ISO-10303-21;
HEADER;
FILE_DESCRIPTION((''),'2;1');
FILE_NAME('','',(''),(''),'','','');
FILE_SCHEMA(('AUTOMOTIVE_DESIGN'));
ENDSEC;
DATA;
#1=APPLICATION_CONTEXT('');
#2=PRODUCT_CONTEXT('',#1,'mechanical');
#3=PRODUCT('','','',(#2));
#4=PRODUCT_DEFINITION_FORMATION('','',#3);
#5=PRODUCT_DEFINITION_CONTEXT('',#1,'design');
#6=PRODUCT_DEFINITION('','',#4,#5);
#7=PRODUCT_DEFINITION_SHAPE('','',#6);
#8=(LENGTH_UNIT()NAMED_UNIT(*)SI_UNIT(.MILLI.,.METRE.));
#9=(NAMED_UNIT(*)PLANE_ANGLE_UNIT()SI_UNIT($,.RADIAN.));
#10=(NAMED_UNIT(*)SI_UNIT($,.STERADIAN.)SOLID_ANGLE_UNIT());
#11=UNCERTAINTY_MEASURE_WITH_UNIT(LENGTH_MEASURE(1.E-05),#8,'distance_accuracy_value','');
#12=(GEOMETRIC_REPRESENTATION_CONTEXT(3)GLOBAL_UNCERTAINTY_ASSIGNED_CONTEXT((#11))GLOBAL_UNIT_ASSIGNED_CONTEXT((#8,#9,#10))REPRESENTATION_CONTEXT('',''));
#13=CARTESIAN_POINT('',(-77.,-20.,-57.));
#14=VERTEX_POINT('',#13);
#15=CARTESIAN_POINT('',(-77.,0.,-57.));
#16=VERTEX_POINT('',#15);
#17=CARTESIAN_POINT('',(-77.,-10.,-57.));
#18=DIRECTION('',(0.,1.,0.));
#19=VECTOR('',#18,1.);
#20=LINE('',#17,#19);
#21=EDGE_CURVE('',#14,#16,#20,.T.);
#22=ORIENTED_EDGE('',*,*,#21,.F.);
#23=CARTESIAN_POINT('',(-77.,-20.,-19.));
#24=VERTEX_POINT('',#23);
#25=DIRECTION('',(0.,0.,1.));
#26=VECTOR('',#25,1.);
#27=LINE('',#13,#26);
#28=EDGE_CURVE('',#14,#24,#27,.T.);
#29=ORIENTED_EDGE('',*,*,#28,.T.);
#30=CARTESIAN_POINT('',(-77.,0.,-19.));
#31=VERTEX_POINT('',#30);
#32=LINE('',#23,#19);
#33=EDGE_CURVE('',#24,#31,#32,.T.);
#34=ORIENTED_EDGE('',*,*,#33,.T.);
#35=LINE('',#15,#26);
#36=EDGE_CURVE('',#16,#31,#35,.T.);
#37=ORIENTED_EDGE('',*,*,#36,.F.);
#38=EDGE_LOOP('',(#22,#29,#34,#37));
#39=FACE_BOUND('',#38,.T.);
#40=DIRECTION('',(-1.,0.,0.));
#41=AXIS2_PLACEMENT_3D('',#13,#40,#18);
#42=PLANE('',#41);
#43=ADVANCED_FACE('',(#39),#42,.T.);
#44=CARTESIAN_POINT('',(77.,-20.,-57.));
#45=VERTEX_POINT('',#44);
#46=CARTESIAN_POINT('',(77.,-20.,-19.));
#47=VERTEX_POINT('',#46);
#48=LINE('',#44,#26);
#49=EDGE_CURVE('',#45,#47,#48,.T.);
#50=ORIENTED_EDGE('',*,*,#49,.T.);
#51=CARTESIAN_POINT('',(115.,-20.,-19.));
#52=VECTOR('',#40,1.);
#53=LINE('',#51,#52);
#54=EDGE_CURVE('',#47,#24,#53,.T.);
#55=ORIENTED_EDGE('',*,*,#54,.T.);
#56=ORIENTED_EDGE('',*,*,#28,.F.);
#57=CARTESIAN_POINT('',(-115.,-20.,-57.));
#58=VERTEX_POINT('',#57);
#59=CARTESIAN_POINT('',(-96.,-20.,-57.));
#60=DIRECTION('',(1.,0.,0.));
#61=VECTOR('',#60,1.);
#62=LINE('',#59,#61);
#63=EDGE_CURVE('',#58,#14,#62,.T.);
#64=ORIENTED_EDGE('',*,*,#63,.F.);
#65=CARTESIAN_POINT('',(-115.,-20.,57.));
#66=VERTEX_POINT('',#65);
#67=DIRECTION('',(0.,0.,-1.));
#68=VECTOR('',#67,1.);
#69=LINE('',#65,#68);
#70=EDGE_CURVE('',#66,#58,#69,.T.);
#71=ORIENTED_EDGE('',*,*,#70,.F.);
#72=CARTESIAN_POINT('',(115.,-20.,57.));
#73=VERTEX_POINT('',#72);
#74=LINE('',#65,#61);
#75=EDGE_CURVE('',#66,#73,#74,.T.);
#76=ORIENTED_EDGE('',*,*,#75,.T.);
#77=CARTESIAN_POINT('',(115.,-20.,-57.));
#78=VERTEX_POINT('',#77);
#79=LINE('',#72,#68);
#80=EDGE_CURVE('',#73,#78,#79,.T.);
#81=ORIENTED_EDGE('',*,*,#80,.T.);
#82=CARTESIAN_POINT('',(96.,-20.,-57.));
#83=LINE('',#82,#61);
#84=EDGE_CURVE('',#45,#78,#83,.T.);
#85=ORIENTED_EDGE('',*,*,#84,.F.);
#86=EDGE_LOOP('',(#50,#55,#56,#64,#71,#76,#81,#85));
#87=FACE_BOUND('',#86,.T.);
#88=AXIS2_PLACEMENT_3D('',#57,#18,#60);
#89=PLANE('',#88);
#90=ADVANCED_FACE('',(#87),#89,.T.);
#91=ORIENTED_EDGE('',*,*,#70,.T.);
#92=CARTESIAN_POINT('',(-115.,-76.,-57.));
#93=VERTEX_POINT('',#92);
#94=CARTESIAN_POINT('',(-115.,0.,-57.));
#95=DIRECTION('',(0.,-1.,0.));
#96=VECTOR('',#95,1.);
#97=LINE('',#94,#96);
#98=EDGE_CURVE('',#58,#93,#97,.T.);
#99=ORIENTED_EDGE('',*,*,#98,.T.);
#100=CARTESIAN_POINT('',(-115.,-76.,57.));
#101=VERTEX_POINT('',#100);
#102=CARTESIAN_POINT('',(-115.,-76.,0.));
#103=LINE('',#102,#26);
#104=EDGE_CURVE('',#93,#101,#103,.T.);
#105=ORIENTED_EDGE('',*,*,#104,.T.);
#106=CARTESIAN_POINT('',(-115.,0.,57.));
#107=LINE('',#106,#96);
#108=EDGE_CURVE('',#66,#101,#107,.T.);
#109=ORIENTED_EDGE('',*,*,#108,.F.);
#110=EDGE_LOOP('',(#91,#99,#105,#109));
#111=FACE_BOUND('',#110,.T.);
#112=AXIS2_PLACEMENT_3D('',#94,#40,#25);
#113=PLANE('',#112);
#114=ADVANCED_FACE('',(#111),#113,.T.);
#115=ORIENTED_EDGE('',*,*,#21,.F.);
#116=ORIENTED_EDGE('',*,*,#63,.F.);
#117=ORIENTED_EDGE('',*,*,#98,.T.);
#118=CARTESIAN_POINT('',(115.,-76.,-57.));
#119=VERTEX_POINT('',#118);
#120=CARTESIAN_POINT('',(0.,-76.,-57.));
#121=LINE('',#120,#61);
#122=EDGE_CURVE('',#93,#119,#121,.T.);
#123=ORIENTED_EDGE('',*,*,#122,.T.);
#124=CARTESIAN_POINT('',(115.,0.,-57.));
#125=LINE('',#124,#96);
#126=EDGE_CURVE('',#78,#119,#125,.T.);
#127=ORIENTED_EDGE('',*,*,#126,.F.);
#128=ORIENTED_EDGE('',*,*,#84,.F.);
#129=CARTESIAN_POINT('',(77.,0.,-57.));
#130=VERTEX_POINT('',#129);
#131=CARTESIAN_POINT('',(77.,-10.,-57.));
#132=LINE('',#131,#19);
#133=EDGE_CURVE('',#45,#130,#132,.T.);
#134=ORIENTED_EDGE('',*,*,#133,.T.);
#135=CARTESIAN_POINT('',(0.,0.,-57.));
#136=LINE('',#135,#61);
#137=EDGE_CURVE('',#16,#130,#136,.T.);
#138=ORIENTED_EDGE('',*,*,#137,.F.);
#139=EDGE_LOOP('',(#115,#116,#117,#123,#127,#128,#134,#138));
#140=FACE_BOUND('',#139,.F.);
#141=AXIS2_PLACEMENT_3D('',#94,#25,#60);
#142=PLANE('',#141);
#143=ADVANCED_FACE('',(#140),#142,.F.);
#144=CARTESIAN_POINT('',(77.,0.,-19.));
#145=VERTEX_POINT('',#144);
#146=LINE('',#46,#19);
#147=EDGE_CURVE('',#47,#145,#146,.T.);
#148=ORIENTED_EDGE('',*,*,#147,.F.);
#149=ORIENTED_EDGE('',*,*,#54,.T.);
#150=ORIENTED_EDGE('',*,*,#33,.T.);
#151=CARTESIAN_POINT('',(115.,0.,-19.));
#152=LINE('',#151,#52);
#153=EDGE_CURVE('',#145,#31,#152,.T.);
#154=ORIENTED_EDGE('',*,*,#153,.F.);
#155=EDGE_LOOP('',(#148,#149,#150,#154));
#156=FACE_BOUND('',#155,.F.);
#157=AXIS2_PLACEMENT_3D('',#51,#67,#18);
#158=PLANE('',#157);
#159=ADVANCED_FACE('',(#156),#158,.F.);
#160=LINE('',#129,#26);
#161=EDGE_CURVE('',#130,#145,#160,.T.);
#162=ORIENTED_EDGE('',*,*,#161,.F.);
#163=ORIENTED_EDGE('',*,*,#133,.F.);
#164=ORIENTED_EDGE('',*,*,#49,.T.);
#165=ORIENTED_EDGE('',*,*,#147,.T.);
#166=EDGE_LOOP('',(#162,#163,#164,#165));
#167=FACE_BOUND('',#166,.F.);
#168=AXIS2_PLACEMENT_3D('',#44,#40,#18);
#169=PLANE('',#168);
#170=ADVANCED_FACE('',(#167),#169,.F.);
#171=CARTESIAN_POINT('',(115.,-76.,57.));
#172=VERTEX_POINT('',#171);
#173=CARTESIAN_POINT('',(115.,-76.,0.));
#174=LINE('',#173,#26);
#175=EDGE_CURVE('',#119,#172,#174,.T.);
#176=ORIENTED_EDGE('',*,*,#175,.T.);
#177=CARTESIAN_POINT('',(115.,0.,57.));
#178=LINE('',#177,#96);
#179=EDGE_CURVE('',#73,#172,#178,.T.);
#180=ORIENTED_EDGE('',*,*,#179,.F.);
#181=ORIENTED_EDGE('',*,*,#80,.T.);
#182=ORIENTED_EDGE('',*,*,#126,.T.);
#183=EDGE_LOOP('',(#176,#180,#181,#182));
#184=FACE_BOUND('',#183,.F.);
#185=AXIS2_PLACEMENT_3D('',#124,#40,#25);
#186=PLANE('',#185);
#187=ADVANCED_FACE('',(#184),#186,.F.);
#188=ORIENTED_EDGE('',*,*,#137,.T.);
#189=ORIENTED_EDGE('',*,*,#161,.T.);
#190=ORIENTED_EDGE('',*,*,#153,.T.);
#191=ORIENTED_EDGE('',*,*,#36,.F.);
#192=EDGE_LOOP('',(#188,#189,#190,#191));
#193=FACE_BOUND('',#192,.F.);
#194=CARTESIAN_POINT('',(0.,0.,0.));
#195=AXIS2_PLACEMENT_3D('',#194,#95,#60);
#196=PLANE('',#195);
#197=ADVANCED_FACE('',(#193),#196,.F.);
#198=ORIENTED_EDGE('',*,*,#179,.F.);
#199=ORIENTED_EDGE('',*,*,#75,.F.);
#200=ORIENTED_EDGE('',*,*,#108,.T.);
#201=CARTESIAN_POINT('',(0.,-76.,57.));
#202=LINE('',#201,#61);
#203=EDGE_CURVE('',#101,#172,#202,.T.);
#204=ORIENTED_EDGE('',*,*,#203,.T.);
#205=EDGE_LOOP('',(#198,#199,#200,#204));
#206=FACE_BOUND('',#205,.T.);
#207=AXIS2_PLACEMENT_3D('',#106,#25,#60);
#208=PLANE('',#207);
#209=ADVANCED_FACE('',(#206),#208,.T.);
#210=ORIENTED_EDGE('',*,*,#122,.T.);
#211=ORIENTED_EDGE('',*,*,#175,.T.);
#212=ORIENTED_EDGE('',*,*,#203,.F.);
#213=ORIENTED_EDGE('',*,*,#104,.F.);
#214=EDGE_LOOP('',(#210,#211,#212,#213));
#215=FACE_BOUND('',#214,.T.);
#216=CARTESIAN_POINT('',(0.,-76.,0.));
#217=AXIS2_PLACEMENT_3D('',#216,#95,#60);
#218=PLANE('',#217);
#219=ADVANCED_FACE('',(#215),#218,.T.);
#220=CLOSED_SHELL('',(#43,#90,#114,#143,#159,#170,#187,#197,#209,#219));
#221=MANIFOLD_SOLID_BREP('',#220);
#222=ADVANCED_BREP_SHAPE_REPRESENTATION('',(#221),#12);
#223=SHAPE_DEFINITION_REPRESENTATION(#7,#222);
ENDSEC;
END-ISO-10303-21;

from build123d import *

# Parameters (mm, degrees)
F0_W     = 230
F0_H     = 114
F1_DEPTH = 76
F3_W     = 20
F3_H     = 76
F4_DEPTH = 230.001
F6_W     = 38
F6_H     = 20
F7_DEPTH = 114.001


with BuildPart() as f1:
    # F0 (on Front) → F1 (new body)
    with BuildSketch(Plane.XZ):
        Rectangle(F0_W, F0_H)
    extrude(amount=F1_DEPTH)

    # F3 (on offset) → F4 (cut, through all)
    with BuildSketch(Plane.YZ.offset(115)):
        with Locations((-10, 19)):
            Rectangle(F3_W, F3_H)
    extrude(amount=-F4_DEPTH, mode=Mode.SUBTRACT)

    # F6 (on offset) → F7 (cut, through all)
    with BuildSketch(Plane.XY.offset(-57)):
        with Locations((-96, -10)):
            Rectangle(F6_W, F6_H)
        with Locations((96, -10)):
            Rectangle(F6_W, F6_H)
    extrude(amount=F7_DEPTH, mode=Mode.SUBTRACT)


solid = f1.part
